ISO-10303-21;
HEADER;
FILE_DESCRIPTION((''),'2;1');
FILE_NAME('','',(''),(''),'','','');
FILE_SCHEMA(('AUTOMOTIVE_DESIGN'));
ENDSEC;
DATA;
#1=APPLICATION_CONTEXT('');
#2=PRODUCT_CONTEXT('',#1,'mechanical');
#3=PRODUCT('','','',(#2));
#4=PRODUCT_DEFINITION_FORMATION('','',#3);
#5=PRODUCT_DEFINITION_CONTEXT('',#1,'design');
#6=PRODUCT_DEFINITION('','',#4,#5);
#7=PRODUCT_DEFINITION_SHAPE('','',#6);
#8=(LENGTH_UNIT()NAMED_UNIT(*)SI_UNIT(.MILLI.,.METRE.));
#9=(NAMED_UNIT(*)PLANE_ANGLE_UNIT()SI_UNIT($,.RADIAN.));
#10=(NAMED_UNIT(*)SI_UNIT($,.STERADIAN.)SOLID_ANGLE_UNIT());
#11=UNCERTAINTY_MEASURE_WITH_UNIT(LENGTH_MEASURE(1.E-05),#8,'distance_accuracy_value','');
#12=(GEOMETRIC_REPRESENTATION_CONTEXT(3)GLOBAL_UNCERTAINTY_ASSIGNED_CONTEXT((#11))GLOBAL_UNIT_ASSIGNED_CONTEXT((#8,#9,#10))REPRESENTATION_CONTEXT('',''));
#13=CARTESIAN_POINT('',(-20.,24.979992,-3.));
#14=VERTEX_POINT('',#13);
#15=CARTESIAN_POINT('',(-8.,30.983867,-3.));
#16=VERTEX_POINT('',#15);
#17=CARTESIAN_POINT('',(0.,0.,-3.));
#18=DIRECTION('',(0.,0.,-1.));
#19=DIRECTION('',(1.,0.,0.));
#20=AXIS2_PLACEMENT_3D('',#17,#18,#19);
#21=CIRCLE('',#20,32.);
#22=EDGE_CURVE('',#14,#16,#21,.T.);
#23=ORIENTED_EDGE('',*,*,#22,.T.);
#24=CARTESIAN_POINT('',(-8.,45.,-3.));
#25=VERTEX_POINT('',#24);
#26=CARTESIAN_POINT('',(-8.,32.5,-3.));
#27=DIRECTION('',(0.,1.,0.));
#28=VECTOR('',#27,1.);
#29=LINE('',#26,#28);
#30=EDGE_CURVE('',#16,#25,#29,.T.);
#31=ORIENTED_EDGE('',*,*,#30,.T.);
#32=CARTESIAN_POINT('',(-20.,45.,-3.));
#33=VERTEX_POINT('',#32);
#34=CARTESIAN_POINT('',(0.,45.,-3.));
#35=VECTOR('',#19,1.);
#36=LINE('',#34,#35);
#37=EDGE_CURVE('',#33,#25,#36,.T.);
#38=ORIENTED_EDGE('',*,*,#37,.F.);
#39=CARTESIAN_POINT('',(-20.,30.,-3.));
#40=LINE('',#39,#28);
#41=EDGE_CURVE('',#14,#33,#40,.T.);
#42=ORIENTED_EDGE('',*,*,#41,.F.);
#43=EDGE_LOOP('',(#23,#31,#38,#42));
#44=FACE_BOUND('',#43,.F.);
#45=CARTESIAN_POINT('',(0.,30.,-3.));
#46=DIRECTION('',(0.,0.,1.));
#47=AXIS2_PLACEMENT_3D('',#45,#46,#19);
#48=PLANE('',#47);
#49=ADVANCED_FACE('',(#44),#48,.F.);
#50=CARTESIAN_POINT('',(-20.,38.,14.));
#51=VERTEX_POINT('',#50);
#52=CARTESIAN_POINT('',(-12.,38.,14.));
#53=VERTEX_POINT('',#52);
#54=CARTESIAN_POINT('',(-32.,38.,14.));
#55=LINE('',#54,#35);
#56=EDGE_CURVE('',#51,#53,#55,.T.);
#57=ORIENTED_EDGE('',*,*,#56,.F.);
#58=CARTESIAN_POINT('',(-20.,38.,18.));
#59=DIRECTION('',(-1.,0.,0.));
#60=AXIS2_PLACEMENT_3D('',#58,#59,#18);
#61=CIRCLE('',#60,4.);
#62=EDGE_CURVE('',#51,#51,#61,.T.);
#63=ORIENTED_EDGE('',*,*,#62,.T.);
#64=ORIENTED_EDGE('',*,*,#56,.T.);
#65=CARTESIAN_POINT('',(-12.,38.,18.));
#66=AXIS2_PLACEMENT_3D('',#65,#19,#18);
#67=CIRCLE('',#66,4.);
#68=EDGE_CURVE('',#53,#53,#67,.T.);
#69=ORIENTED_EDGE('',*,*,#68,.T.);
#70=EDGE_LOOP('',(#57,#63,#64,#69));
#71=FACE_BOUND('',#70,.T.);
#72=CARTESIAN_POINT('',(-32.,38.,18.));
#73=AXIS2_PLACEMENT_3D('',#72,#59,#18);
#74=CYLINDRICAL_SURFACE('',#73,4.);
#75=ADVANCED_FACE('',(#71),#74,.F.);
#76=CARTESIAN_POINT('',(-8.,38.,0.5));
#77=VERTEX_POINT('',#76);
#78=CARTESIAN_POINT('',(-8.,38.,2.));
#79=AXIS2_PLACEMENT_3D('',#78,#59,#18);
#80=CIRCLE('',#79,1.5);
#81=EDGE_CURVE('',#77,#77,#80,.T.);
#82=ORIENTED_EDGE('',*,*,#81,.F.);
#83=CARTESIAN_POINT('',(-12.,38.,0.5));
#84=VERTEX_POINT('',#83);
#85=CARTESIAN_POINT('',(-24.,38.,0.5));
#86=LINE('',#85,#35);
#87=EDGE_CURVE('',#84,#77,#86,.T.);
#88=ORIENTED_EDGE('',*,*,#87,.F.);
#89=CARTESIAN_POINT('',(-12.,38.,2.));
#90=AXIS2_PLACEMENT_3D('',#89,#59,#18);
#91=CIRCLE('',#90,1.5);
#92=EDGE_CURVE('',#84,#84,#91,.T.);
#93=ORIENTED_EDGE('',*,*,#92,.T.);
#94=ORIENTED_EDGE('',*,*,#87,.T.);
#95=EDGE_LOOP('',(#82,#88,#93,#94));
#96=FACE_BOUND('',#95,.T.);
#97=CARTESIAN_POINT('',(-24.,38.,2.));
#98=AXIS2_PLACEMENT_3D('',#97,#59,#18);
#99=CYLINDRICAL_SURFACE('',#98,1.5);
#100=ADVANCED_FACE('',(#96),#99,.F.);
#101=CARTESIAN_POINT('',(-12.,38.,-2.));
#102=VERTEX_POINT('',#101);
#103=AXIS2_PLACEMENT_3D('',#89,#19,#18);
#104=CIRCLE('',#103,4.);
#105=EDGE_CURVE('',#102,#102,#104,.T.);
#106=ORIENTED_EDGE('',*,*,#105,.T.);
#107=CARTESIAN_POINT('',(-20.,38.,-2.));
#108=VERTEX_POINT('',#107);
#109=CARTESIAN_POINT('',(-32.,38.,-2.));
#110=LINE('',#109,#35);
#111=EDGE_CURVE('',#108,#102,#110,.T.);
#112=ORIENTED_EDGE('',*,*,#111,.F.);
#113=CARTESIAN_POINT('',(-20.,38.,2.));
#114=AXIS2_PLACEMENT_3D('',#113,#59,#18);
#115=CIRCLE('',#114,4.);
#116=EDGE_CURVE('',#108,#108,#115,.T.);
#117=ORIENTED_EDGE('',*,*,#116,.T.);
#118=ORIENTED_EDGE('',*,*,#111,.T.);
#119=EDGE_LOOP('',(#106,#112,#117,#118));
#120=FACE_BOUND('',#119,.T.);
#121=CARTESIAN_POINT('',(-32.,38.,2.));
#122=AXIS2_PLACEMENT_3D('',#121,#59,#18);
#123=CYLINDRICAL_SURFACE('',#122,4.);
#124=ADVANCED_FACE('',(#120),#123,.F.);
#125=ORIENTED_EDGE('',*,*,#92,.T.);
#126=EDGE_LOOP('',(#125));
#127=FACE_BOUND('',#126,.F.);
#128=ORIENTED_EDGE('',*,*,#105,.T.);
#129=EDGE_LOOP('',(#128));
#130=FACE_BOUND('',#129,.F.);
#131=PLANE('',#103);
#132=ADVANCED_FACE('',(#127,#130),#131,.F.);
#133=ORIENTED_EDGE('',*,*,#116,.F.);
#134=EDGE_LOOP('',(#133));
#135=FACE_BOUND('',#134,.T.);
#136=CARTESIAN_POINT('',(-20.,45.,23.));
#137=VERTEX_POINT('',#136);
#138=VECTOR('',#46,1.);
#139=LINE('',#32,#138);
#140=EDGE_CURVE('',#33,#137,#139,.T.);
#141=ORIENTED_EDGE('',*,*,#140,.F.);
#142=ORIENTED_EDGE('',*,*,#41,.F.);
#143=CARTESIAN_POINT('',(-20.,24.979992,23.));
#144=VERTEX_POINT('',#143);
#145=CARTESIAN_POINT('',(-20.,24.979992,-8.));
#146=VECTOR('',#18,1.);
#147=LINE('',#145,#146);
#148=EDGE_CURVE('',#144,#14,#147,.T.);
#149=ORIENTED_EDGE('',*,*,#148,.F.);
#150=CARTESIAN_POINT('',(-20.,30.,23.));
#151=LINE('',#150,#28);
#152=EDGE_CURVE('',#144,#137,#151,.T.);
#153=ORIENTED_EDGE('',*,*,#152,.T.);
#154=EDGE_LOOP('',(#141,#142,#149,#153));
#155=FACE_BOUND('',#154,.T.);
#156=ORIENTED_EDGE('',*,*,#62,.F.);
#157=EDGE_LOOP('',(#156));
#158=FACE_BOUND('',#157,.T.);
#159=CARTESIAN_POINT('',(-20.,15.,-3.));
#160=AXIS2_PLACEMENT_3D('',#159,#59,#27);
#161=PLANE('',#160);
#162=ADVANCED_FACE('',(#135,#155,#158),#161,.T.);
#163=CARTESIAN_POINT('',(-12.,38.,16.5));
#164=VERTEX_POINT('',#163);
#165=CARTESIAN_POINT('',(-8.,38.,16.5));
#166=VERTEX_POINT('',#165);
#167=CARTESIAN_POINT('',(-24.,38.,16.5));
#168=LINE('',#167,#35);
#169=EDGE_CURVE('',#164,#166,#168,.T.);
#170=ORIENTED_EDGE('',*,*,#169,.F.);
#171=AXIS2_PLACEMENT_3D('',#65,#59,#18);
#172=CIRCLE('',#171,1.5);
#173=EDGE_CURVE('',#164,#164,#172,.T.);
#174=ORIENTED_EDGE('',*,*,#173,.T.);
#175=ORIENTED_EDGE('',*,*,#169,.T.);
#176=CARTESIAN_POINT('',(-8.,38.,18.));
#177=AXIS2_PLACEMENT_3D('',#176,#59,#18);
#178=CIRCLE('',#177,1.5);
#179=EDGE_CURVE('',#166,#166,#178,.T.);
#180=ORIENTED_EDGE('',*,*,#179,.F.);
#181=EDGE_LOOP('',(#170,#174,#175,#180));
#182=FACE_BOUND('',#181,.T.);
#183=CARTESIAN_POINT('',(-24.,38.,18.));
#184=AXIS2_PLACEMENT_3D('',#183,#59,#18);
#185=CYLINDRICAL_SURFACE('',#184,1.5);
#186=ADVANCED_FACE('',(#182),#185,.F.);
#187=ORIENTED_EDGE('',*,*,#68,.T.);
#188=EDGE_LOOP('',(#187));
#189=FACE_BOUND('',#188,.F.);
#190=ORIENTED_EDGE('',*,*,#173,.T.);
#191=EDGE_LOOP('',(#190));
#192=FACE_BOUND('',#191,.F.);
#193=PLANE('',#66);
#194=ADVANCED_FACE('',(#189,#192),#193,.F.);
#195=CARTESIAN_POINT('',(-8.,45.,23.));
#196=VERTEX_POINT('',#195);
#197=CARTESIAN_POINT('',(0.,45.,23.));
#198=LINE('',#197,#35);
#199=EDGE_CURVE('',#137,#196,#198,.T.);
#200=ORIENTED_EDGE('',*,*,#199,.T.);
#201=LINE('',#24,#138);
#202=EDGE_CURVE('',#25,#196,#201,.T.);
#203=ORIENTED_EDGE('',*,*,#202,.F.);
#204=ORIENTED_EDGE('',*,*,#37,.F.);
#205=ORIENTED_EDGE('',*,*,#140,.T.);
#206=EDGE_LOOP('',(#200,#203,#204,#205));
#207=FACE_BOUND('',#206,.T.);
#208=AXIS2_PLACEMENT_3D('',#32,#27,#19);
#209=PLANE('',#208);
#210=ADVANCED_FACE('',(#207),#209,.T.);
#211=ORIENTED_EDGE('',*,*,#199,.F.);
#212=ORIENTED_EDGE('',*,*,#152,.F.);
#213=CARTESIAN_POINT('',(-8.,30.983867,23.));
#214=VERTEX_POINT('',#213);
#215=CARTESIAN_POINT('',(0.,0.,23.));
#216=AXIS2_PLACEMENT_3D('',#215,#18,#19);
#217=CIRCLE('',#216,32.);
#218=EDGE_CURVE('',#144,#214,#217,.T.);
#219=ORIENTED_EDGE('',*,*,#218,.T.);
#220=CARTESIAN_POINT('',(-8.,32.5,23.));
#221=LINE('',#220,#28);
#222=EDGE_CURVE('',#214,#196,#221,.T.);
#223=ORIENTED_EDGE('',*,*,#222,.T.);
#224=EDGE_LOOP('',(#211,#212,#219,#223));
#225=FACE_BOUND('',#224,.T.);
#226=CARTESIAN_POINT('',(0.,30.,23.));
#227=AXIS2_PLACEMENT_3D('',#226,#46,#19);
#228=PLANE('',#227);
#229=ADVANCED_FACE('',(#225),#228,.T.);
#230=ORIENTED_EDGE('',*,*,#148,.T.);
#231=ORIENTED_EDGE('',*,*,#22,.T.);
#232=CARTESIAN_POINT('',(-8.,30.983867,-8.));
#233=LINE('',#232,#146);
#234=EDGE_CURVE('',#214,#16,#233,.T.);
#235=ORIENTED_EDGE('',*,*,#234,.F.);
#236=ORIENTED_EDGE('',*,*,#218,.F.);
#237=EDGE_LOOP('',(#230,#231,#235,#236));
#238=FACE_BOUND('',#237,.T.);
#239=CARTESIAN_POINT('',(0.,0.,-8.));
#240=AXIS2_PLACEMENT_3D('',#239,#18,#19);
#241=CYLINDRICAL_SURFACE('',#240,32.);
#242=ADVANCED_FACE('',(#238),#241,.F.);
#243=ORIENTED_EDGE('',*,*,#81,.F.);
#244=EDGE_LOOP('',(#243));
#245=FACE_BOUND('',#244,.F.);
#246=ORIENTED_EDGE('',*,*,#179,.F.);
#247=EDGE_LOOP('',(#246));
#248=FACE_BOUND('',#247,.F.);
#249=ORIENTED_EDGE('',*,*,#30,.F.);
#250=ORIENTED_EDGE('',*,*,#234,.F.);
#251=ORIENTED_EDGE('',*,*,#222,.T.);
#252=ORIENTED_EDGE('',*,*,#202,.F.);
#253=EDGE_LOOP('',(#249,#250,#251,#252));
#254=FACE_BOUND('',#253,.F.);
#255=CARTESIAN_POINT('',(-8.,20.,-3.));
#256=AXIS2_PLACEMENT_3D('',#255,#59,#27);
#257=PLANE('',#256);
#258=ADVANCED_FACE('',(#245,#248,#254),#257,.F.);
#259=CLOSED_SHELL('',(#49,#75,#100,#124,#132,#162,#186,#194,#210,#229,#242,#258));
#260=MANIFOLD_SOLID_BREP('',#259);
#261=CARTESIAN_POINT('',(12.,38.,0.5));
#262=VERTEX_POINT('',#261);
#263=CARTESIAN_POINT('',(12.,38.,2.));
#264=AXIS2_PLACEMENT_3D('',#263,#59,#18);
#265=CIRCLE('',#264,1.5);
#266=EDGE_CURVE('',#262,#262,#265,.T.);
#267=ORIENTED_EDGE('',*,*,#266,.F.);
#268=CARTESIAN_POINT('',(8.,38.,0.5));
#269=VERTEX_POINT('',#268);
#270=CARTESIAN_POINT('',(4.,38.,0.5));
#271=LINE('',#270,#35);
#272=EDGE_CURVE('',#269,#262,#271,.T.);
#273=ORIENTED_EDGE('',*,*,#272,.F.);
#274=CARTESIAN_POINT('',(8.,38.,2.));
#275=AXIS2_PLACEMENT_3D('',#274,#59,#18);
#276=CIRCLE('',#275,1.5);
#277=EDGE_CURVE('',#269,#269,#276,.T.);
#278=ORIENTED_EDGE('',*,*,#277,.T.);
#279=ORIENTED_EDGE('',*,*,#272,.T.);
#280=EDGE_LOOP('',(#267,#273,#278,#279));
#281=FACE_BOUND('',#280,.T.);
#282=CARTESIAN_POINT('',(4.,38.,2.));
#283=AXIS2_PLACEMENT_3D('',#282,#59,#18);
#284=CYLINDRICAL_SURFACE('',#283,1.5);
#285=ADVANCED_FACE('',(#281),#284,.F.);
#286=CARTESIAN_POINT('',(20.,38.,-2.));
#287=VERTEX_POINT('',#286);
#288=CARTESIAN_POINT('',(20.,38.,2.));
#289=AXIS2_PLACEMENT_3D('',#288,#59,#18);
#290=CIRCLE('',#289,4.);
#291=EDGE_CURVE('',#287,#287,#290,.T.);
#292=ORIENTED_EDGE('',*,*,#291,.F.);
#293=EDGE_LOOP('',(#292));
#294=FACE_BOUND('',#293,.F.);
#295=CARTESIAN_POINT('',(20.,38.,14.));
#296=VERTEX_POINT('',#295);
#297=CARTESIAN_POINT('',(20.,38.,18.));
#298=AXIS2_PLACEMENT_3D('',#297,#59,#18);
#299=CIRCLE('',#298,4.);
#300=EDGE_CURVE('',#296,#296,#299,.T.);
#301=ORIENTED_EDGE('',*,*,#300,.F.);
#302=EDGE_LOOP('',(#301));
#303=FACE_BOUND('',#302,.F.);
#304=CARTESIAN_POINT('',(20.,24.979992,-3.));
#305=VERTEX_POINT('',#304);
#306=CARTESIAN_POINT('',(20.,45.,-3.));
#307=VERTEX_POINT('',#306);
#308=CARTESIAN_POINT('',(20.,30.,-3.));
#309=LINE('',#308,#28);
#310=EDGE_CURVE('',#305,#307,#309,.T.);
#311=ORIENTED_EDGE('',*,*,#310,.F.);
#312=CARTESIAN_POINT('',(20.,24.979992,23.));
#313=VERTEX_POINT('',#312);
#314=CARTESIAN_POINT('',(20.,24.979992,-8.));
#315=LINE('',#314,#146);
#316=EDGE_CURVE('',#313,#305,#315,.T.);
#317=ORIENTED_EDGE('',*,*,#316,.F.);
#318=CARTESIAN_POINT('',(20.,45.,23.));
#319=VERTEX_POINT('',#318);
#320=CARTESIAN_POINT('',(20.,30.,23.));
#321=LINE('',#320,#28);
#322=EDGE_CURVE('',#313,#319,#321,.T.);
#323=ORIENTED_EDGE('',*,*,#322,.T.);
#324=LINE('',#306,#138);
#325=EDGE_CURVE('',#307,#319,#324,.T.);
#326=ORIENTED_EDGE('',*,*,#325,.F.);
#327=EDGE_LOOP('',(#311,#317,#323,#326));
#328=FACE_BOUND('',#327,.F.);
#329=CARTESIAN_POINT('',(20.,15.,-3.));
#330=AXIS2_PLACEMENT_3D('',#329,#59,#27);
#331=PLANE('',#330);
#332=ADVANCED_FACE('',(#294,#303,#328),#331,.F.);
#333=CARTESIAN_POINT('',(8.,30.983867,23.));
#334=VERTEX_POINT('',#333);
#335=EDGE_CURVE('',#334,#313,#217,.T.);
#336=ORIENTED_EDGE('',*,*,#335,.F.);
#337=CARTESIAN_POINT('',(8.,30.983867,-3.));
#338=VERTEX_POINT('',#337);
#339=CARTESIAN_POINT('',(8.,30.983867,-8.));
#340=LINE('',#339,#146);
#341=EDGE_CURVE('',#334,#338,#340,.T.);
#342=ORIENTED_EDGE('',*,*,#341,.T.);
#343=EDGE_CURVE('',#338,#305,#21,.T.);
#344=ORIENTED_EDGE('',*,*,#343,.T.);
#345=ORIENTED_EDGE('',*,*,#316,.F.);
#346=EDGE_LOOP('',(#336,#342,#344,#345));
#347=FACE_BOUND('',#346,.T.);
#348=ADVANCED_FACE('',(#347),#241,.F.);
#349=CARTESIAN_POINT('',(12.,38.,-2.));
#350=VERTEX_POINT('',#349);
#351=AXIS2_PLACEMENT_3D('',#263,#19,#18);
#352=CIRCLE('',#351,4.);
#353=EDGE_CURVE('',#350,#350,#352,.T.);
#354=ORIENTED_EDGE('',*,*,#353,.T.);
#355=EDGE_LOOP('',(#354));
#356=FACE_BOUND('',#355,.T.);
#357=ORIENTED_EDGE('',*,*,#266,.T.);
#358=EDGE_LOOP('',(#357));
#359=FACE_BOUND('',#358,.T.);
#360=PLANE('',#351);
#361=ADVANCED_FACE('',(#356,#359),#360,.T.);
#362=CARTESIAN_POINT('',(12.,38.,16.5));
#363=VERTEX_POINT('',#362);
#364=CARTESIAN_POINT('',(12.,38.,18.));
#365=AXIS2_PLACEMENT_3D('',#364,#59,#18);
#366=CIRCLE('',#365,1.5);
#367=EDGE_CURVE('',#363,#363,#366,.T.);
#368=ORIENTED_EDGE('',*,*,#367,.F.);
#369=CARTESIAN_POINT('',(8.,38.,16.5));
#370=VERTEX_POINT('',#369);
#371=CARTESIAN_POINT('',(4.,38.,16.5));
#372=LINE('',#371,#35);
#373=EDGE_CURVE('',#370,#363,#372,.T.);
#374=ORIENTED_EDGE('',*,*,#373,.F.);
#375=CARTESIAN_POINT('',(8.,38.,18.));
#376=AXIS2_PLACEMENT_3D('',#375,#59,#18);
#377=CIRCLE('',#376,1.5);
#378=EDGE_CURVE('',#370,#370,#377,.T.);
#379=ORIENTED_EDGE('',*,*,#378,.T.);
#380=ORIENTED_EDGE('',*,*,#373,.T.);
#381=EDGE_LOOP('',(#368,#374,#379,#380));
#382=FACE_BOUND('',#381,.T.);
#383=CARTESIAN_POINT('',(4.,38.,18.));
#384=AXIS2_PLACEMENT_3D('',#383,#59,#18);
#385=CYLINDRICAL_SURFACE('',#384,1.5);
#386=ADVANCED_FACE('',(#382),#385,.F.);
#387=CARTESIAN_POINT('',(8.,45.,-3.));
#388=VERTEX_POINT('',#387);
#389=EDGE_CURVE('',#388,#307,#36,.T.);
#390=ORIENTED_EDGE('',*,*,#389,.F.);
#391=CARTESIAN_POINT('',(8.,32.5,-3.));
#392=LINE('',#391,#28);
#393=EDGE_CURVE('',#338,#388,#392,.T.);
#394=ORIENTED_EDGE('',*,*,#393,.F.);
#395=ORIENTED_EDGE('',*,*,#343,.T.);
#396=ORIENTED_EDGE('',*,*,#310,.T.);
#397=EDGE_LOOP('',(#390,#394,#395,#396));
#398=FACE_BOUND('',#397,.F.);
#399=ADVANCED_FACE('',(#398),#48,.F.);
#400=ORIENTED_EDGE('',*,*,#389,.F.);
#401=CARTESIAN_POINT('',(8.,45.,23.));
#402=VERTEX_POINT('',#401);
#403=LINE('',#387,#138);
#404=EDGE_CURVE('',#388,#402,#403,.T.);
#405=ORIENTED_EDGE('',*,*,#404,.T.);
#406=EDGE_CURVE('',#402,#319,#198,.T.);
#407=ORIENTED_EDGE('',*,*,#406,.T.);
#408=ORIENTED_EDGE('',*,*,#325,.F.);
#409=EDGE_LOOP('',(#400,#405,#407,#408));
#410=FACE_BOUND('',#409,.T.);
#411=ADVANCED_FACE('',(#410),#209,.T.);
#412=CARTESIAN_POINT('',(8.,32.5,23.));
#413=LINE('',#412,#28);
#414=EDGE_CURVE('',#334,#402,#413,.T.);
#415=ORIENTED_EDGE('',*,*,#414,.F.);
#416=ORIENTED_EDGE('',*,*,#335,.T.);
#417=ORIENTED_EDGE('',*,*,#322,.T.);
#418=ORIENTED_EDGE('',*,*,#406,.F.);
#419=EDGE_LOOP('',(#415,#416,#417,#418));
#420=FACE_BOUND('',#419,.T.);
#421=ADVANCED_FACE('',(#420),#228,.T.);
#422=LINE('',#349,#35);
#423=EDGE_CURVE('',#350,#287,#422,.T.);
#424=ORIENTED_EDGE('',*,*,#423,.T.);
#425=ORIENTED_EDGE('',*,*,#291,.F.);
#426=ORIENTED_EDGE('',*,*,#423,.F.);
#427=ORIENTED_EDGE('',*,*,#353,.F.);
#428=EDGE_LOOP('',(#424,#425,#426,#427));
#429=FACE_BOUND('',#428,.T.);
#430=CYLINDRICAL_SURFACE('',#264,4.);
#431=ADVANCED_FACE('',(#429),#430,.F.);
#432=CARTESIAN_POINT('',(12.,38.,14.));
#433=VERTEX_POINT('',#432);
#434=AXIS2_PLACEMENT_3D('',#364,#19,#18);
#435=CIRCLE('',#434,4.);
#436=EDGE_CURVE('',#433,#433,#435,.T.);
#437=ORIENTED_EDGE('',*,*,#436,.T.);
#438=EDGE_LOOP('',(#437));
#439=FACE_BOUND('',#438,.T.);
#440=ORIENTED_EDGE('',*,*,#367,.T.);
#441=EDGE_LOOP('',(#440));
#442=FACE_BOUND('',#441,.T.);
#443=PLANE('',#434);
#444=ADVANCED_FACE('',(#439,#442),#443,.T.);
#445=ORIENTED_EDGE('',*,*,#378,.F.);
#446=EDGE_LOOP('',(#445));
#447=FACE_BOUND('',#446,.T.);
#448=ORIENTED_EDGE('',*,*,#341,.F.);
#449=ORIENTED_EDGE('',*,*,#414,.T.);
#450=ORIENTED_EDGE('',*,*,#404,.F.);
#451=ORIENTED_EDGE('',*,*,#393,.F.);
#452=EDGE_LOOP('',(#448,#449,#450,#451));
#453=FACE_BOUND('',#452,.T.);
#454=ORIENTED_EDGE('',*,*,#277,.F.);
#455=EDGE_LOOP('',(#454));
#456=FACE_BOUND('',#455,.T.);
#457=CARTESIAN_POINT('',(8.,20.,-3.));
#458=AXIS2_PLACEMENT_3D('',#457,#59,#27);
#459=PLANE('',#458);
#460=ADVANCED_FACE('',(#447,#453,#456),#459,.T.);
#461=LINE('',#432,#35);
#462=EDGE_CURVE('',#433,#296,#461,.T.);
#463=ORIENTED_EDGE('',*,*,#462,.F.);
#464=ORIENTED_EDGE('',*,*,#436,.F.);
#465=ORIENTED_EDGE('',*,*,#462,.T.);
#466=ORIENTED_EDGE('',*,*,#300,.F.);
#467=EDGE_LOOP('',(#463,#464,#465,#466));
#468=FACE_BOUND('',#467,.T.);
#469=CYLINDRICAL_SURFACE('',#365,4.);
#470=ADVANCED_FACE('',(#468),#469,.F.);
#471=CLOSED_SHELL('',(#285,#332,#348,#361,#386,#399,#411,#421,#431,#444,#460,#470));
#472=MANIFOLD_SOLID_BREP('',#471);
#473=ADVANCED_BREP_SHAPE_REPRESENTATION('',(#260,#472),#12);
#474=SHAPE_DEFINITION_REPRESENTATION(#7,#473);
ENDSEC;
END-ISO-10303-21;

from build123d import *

# Parameters (mm, degrees)
CYLINDER221_R     = 1.5
CYLINDER221_DEPTH = 20
CYLINDER220_R     = 1.5
CYLINDER220_DEPTH = 20
CYLINDER219_R     = 4
CYLINDER219_DEPTH = 20
CYLINDER218_R     = 4
CYLINDER218_DEPTH = 20
CYLINDER212_R     = 4
CYLINDER212_DEPTH = 20
CYLINDER217_R     = 4
CYLINDER217_DEPTH = 20
CYLINDER216_R     = 1.5
CYLINDER216_DEPTH = 20
CYLINDER214_R     = 1.5
CYLINDER214_DEPTH = 20
CYLINDER211_R     = 32
CYLINDER211_DEPTH = 40
BOX094_W          = 16
BOX094_H          = 25
BOX094_DEPTH      = 26
BOX093_W          = 40
BOX093_H          = 30
BOX093_DEPTH      = 26


with BuildPart() as v_lec221:
    # Cylinder221 → Cylinder221 (new body)
    with BuildSketch(Plane(origin=(4, 38, 18), x_dir=(0, 0, -1), z_dir=(1, 0, 0))):
        Circle(CYLINDER221_R)
    extrude(amount=CYLINDER221_DEPTH)


with BuildPart() as compound553:
    # Cylinder220 → Cylinder220 (new body)
    with BuildSketch(Plane(origin=(4, 38, 2), x_dir=(0, 0, -1), z_dir=(1, 0, 0))):
        Circle(CYLINDER220_R)
    extrude(amount=CYLINDER220_DEPTH)

    # Compound553: union Válec221
    add(v_lec221.part)


with BuildPart() as v_lec219:
    # Cylinder219 → Cylinder219 (new body)
    with BuildSketch(Plane(origin=(12, 38, 2), x_dir=(0, 0, -1), z_dir=(1, 0, 0))):
        Circle(CYLINDER219_R)
    extrude(amount=CYLINDER219_DEPTH)


with BuildPart() as compound552:
    # Cylinder218 → Cylinder218 (new body)
    with BuildSketch(Plane(origin=(12, 38, 18), x_dir=(0, 0, -1), z_dir=(1, 0, 0))):
        Circle(CYLINDER218_R)
    extrude(amount=CYLINDER218_DEPTH)

    # Compound552: union Válec219
    add(v_lec219.part)


with BuildPart() as v_lec212:
    # Cylinder212 → Cylinder212 (new body)
    with BuildSketch(Plane(origin=(-32, 38, 2), x_dir=(0, 0, -1), z_dir=(1, 0, 0))):
        Circle(CYLINDER212_R)
    extrude(amount=CYLINDER212_DEPTH)


with BuildPart() as compound550:
    # Cylinder217 → Cylinder217 (new body)
    with BuildSketch(Plane(origin=(-32, 38, 18), x_dir=(0, 0, -1), z_dir=(1, 0, 0))):
        Circle(CYLINDER217_R)
    extrude(amount=CYLINDER217_DEPTH)

    # Compound550: union Válec212
    add(v_lec212.part)


with BuildPart() as v_lec216:
    # Cylinder216 → Cylinder216 (new body)
    with BuildSketch(Plane(origin=(-24, 38, 18), x_dir=(0, 0, -1), z_dir=(1, 0, 0))):
        Circle(CYLINDER216_R)
    extrude(amount=CYLINDER216_DEPTH)


with BuildPart() as compound551:
    # Cylinder214 → Cylinder214 (new body)
    with BuildSketch(Plane(origin=(-24, 38, 2), x_dir=(0, 0, -1), z_dir=(1, 0, 0))):
        Circle(CYLINDER214_R)
    extrude(amount=CYLINDER214_DEPTH)

    # Compound551: union Válec216
    add(v_lec216.part)


with BuildPart() as v_lec211:
    # Cylinder211 → Cylinder211 (new body)
    with BuildSketch(Plane.XY.offset(-8)):
        Circle(CYLINDER211_R)
    extrude(amount=CYLINDER211_DEPTH)


with BuildPart() as krychle094:
    # Box094 → Box094 (new body)
    with BuildSketch(Plane(origin=(-8, 20, -3), x_dir=(1, 0, 0), z_dir=(0, 0, 1))):
        with Locations((8, 12.5)):
            Rectangle(BOX094_W, BOX094_H)
    extrude(amount=BOX094_DEPTH)


with BuildPart() as cut327:
    # Box093 → Box093 (new body)
    with BuildSketch(Plane(origin=(-20, 15, -3), x_dir=(1, 0, 0), z_dir=(0, 0, 1))):
        with Locations((20, 15)):
            Rectangle(BOX093_W, BOX093_H)
    extrude(amount=BOX093_DEPTH)

    # Cut322: cut Krychle094
    add(krychle094.part, mode=Mode.SUBTRACT)

    # Cut323: cut Válec211
    add(v_lec211.part, mode=Mode.SUBTRACT)

    # Cut324: cut Compound551
    add(compound551.part, mode=Mode.SUBTRACT)

    # Cut325: cut Compound550
    add(compound550.part, mode=Mode.SUBTRACT)

    # Cut326: cut Compound552
    add(compound552.part, mode=Mode.SUBTRACT)

    # Cut327: cut Compound553
    add(compound553.part, mode=Mode.SUBTRACT)


solid = cut327.part
